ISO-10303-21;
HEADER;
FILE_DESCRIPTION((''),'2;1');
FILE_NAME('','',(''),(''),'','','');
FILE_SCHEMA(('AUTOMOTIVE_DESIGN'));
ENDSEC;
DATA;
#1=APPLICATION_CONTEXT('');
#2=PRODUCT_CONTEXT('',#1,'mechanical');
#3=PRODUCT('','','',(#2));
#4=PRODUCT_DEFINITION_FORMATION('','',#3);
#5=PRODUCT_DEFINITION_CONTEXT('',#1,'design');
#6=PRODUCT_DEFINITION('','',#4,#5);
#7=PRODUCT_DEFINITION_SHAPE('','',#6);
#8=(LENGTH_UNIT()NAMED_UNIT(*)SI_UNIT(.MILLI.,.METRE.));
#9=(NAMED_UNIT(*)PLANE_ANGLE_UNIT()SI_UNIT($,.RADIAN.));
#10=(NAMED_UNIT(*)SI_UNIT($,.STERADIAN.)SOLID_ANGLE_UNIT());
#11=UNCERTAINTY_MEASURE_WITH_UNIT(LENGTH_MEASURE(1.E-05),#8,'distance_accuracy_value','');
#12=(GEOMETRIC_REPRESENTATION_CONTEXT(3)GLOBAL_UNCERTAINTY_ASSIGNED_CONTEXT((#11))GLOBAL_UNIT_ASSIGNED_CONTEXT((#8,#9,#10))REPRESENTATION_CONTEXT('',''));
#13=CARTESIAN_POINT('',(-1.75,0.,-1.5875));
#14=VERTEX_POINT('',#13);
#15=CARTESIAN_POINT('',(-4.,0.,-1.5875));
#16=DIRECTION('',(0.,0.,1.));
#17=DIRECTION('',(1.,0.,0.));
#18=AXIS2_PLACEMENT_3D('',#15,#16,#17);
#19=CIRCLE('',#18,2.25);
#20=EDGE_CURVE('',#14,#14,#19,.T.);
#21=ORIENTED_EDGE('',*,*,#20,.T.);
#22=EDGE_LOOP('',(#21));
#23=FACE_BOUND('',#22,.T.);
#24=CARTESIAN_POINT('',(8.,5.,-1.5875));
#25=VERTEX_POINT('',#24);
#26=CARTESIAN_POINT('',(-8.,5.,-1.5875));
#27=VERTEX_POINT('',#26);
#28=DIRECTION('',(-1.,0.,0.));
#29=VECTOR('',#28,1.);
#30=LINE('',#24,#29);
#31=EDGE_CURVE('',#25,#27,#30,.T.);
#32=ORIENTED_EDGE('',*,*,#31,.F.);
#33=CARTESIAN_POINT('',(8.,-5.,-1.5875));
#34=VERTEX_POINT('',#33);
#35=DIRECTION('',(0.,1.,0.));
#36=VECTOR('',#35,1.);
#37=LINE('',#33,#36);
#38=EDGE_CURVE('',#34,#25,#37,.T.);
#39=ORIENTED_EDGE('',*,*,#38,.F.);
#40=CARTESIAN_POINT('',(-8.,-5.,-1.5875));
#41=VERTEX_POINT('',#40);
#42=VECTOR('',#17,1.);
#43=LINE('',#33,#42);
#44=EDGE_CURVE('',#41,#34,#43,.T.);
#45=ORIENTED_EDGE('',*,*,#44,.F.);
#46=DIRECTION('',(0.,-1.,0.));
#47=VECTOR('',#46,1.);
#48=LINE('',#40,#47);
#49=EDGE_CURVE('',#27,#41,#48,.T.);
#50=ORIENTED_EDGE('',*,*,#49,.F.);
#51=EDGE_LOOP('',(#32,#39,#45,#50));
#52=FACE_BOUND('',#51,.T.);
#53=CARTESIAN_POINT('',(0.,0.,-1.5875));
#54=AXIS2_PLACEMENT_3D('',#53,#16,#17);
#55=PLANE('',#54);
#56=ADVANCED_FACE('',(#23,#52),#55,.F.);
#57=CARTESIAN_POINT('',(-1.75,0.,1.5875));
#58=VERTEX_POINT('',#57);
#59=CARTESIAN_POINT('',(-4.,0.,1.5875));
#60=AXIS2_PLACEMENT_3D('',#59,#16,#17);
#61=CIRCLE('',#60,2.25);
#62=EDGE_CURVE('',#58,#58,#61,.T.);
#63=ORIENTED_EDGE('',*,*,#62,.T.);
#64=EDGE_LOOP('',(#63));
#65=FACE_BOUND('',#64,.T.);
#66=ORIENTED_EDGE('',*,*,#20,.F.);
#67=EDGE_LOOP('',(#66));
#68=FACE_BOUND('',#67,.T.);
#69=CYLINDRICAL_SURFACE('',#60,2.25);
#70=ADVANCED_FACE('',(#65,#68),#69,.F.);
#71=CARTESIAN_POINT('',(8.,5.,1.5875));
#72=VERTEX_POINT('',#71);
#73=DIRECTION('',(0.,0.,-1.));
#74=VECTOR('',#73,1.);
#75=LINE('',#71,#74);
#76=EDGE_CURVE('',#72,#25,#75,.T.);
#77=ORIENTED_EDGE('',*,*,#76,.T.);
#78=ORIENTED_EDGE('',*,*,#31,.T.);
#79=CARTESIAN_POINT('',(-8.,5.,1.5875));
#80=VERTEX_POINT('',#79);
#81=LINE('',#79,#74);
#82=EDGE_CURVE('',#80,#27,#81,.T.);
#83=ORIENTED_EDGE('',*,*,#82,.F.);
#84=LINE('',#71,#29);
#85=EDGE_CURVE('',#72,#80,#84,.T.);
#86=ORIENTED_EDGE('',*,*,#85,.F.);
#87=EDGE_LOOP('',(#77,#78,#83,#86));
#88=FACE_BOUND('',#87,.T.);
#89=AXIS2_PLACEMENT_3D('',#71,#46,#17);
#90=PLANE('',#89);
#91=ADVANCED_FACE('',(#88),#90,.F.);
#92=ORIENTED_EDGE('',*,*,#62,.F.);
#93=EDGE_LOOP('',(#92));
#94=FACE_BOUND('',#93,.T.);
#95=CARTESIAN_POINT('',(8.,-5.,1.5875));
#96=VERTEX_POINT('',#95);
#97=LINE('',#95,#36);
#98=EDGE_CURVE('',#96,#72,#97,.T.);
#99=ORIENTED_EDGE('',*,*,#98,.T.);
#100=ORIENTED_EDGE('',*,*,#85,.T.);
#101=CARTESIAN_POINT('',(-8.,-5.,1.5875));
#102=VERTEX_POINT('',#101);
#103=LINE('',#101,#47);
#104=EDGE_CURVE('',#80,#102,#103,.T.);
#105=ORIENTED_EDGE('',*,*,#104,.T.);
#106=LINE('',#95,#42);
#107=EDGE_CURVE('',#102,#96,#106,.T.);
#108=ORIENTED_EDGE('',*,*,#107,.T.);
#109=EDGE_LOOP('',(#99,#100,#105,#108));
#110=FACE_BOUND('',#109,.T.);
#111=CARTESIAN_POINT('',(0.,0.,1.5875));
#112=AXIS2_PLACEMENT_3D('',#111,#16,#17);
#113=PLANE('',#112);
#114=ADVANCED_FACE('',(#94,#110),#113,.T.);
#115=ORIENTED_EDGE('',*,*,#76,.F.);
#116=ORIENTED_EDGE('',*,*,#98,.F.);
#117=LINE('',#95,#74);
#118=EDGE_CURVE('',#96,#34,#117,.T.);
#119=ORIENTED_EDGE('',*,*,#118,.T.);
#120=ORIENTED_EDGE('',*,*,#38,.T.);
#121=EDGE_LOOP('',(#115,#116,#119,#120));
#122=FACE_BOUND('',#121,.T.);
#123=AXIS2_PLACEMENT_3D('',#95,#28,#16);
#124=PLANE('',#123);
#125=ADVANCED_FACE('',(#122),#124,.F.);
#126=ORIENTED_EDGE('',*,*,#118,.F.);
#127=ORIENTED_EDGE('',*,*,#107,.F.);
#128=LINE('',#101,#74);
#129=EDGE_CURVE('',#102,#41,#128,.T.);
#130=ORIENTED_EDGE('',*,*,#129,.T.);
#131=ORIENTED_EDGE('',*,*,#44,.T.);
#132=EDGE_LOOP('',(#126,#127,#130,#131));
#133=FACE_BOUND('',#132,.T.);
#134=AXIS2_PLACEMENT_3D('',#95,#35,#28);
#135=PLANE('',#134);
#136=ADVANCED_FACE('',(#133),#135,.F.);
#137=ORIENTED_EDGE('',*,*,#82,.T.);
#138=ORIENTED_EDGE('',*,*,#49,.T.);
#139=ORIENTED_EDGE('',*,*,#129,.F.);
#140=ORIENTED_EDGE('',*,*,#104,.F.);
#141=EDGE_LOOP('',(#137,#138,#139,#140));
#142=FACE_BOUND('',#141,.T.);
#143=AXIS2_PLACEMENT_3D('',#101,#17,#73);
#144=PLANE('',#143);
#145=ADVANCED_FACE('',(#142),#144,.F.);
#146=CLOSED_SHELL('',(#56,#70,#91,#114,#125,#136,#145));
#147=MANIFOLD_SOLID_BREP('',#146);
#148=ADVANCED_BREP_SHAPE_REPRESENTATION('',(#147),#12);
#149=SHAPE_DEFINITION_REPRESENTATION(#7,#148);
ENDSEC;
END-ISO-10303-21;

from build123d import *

# Parameters (mm, degrees)
SKETCH1_W            = 16
SKETCH1_H            = 10
BOSS_EXTRUDE1_DEPTH  = 1.5875
M4_CLEARANCE_HOLE1_D = 4.5


with BuildPart() as part:
    # Sketch1 → Boss-Extrude1 (new body, symmetric)
    with BuildSketch(Plane.XY):
        Rectangle(SKETCH1_W, SKETCH1_H)
    extrude(amount=BOSS_EXTRUDE1_DEPTH, both=True)

    # M4 Clearance Hole1 (through all)
    with Locations(Plane.XY.offset(1.5875)):
        with Locations((-4, 0)):
            Hole(M4_CLEARANCE_HOLE1_D / 2)


solid = part.part
